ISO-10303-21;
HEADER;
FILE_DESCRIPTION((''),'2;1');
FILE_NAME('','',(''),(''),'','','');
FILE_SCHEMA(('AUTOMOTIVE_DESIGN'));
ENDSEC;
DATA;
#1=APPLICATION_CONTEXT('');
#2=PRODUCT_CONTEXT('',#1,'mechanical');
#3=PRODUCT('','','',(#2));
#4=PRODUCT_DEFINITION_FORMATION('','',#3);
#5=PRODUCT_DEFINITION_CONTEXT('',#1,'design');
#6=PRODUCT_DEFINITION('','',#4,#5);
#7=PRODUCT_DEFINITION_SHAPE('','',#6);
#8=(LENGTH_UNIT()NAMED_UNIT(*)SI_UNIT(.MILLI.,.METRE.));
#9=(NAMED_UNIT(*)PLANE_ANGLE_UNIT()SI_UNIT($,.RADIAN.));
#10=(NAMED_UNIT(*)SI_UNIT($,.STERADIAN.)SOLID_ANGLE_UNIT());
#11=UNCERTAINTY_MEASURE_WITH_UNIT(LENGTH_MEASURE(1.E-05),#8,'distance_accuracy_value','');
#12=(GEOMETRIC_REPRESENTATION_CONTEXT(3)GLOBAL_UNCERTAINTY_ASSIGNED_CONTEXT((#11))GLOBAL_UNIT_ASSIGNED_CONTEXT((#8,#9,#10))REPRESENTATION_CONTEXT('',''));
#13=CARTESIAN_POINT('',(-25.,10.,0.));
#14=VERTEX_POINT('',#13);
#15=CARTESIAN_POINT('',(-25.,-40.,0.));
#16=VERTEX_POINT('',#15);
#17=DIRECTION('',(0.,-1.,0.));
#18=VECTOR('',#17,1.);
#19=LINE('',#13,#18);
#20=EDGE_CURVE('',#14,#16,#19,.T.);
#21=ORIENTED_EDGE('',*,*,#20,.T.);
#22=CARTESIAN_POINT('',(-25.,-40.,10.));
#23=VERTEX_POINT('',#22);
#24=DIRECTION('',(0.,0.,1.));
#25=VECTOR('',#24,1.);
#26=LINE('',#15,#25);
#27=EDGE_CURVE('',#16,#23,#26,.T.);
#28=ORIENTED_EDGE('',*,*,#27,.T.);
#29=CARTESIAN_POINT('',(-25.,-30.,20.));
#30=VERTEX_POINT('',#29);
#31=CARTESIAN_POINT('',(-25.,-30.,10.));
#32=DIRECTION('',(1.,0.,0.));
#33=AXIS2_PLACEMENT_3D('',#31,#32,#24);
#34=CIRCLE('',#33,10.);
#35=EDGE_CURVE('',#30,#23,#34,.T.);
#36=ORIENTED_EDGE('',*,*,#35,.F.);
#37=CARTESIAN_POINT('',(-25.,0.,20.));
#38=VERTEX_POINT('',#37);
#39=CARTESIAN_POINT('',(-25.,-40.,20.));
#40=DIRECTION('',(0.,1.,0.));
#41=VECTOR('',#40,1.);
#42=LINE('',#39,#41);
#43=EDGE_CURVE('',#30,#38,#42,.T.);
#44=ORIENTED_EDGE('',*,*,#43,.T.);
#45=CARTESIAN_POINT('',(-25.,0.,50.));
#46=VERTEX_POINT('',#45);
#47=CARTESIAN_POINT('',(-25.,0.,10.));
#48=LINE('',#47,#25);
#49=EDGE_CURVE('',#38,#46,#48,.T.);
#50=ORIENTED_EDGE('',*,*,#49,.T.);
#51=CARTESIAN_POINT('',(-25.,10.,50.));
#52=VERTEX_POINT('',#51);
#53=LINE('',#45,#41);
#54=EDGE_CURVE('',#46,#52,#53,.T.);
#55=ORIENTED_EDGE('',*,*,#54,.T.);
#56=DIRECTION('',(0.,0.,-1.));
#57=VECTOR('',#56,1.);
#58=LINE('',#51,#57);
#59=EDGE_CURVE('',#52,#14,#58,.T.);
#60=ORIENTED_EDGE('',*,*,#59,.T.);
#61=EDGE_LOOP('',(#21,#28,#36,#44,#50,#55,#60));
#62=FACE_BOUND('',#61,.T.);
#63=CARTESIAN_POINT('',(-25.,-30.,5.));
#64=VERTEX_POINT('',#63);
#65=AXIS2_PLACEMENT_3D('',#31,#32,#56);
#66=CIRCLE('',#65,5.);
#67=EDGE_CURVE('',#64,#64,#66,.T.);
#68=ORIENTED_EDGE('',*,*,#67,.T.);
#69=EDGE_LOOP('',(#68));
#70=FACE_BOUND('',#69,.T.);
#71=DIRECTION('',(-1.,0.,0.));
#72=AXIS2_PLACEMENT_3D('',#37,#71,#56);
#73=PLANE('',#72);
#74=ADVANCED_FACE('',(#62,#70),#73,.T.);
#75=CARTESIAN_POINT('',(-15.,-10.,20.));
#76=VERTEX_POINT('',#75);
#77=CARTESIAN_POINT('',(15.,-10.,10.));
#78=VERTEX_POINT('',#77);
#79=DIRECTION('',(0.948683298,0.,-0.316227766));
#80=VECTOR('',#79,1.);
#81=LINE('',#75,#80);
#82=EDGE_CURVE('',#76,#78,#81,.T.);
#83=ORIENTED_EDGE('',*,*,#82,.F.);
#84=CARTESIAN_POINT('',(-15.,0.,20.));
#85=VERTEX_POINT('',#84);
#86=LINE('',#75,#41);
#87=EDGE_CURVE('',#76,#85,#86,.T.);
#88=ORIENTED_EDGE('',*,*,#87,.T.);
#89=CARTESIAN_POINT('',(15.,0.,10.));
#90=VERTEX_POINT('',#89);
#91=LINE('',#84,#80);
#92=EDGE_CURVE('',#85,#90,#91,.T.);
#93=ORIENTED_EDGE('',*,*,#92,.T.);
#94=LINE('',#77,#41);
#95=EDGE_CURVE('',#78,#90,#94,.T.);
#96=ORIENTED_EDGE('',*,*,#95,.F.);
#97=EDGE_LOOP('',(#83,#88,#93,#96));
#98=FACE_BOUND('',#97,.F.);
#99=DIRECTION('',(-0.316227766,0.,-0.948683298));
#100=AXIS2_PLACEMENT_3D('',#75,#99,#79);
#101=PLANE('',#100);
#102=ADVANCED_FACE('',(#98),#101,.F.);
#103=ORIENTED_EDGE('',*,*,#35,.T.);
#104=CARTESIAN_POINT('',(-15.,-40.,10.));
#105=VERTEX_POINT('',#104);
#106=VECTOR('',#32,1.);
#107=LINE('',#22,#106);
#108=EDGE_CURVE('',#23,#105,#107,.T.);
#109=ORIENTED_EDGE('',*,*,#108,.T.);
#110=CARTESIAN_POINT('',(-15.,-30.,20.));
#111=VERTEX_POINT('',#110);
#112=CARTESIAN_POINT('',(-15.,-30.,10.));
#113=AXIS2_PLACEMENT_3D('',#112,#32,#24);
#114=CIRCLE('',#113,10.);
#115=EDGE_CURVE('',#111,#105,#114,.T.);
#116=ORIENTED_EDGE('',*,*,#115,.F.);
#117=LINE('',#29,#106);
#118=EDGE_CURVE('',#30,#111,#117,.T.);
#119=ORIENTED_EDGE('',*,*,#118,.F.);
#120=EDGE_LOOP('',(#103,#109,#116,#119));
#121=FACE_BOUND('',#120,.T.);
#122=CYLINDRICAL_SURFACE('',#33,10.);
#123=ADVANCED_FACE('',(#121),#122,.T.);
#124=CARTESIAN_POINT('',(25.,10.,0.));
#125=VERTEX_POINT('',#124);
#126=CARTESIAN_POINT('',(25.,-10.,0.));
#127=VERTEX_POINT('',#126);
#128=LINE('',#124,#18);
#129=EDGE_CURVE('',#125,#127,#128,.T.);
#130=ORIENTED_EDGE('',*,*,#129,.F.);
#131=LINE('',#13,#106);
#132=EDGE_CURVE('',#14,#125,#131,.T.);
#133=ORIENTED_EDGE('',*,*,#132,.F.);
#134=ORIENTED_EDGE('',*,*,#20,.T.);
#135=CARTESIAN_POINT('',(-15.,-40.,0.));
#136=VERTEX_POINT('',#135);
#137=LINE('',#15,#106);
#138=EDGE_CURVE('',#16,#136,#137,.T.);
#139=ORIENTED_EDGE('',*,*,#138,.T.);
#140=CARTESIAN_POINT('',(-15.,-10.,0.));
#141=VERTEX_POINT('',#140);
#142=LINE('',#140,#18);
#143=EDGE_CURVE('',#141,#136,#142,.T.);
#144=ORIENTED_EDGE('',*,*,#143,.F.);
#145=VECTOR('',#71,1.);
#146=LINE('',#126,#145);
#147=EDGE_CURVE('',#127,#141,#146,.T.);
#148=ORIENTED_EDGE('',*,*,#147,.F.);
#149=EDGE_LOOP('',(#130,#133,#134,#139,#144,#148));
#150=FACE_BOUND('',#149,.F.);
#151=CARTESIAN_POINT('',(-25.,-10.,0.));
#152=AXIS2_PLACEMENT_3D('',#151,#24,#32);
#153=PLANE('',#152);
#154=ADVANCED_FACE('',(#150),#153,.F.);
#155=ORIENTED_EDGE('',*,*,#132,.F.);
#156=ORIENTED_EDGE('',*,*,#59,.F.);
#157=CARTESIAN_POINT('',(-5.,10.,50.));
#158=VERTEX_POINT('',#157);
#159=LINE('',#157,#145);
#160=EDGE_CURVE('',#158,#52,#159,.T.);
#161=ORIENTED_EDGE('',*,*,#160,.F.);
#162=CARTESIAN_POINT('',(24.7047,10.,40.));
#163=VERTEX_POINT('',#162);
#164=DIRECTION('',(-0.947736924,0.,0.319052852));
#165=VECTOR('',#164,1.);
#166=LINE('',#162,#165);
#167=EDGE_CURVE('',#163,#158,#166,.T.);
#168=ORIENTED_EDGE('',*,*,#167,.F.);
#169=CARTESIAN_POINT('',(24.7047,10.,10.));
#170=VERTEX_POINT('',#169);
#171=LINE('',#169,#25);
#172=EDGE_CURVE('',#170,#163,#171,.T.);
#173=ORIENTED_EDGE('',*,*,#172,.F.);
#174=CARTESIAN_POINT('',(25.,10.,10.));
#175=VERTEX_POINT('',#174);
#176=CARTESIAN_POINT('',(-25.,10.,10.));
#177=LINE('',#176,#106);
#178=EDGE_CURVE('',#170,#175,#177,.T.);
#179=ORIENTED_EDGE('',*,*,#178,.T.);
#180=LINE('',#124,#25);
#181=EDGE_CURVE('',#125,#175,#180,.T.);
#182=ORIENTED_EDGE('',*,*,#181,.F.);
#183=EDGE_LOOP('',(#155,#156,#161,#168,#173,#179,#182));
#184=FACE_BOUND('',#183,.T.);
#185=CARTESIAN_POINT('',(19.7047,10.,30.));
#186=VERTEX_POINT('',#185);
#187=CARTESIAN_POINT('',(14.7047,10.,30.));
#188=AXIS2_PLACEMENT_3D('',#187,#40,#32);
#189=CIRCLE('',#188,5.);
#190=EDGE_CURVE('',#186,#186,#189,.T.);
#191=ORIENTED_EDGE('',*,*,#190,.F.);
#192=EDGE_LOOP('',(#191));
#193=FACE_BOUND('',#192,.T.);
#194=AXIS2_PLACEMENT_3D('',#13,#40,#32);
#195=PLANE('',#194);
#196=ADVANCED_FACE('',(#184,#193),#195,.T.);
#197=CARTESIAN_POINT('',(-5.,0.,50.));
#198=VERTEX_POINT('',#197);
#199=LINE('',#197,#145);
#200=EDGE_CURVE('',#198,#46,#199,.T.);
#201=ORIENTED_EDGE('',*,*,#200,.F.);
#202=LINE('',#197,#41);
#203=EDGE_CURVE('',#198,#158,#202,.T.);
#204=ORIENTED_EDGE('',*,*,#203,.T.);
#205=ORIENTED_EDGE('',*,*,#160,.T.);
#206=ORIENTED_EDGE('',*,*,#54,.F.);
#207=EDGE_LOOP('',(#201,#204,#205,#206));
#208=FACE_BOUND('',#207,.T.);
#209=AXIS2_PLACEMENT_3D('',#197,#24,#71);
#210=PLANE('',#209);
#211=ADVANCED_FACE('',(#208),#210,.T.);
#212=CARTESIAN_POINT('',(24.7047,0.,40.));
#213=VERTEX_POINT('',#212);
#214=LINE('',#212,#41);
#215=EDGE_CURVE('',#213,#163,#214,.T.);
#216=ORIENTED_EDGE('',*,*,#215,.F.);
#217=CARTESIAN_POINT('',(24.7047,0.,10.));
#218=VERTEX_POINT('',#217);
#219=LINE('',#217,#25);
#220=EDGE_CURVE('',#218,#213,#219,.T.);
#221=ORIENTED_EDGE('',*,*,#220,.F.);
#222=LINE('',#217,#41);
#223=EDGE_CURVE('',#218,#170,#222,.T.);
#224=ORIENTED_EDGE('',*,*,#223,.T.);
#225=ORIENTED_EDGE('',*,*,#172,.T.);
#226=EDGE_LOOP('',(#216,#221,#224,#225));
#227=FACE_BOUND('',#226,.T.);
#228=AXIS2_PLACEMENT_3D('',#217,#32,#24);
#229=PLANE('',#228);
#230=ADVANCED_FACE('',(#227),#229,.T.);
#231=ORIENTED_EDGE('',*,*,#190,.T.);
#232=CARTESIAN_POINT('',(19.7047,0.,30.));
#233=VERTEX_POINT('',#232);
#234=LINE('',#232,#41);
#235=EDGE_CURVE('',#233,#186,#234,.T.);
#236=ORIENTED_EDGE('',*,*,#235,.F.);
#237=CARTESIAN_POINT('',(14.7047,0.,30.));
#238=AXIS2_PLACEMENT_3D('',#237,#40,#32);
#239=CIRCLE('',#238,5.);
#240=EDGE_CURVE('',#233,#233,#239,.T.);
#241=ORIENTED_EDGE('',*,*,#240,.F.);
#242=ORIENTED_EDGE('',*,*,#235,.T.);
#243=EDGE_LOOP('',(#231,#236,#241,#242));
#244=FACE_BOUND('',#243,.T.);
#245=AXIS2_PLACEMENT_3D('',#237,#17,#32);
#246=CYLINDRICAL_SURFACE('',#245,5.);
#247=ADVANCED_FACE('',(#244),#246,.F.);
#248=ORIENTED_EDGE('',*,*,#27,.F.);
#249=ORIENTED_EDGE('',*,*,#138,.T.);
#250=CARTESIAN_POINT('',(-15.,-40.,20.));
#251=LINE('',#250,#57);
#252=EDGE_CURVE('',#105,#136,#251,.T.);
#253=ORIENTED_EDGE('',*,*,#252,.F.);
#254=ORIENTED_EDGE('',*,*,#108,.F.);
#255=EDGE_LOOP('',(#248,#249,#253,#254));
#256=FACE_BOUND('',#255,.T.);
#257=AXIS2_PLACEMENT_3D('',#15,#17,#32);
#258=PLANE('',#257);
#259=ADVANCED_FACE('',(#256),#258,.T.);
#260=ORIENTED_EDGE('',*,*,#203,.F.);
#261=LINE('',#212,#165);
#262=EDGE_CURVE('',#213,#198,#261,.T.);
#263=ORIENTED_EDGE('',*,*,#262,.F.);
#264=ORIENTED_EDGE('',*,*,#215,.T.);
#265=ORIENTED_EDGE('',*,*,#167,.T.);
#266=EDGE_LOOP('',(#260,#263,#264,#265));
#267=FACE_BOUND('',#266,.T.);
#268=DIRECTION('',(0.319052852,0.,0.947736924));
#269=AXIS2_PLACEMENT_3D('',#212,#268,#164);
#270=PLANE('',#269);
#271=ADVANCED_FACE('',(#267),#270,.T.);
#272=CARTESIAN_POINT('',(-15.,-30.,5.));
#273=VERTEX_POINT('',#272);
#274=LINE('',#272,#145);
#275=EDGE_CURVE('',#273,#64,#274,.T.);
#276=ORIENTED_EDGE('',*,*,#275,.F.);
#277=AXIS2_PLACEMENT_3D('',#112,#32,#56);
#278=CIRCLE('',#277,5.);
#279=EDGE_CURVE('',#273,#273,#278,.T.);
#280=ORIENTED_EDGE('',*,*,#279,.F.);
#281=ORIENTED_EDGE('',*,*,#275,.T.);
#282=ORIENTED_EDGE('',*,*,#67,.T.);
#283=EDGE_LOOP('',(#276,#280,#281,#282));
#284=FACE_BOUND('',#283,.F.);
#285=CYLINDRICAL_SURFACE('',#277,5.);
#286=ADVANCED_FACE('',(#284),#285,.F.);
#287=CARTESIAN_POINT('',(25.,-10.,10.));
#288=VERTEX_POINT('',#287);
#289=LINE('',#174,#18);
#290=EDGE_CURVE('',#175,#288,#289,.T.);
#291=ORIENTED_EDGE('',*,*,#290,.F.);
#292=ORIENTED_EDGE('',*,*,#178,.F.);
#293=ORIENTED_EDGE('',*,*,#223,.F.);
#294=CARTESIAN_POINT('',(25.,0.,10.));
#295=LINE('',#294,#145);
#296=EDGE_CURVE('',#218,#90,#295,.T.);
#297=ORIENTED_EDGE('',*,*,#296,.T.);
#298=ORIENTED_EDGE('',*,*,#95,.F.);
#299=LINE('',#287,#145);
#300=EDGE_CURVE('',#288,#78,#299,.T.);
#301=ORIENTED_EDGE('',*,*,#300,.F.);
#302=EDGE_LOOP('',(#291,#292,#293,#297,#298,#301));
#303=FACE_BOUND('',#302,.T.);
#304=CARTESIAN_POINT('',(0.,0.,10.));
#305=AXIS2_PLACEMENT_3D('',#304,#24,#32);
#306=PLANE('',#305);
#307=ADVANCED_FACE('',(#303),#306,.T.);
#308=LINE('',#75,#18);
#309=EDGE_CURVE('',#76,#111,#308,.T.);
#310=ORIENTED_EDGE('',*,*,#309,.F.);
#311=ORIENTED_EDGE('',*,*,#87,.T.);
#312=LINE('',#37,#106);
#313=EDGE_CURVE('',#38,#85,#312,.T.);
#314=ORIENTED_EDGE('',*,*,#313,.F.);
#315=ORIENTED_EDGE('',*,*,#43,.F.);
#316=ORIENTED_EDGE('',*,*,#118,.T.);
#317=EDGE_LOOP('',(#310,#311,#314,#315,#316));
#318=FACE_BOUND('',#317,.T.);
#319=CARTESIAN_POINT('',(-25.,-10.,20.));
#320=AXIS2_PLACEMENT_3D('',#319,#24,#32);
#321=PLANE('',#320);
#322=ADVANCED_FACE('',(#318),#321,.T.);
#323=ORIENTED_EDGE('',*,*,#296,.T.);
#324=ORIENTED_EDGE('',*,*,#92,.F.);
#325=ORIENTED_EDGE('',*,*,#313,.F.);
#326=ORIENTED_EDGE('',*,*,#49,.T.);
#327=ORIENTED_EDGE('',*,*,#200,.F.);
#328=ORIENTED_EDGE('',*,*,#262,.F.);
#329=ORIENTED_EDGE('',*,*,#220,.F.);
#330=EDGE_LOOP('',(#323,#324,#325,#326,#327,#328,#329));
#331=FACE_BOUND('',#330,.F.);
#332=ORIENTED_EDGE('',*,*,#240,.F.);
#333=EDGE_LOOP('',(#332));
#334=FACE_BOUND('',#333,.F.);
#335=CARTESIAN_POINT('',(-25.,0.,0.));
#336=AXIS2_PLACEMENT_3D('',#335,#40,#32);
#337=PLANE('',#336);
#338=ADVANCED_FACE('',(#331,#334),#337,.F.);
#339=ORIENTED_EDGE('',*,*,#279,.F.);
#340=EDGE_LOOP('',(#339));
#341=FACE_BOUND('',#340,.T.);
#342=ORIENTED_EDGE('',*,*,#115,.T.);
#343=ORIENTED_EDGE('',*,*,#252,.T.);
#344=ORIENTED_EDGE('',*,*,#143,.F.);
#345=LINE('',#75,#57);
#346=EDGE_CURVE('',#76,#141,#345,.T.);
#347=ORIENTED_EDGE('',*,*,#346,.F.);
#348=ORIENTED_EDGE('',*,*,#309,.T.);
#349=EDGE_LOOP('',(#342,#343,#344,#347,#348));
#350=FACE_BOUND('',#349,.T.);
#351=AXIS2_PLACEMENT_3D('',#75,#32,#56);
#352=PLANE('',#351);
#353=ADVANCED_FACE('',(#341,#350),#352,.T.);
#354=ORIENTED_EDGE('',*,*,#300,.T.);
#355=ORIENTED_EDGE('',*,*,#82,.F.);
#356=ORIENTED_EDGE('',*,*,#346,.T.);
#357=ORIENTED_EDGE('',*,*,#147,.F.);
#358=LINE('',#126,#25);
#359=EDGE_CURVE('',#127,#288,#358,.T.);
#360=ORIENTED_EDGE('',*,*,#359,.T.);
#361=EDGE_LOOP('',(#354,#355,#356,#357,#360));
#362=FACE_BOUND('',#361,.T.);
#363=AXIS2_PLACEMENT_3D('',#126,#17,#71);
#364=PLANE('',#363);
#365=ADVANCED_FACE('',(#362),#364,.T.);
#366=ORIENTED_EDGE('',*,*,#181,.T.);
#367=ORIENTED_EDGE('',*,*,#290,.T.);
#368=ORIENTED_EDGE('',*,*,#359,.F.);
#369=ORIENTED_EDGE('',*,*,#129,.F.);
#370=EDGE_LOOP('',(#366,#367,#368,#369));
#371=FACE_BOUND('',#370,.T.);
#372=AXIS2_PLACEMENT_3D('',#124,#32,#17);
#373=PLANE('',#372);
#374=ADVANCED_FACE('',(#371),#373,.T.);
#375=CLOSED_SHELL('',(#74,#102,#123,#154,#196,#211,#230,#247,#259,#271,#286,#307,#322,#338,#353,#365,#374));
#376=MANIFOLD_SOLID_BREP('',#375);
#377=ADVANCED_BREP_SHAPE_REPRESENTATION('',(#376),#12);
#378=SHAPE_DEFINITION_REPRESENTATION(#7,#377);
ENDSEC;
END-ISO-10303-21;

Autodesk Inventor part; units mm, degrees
ref_plane "YZ Plane" through (0, 0, 0) normal (1, 0, 0) x (0, 1, 0)
ref_plane "XZ Plane" through (0, 0, 0) normal (0, 1, 0) x (-1, 0, 0)
ref_plane "XY Plane" through (0, 0, 0) normal (0, 0, 1) x (1, 0, 0)
sketch "草圖1" plane through (0, 0, 0) normal (0, 0, 1) x (1, 0, 0)
  line L0 (25, -10) -> (-25, -10)
  line L1 (-25, -10) -> (-25, 10)
  line L2 (-25, 10) -> (25, 10)
  line L3 (25, 10) -> (25, -10)
  line L4 (25, -10) -> (-25, 10) construction
  line L5 (-25, -10) -> (25, 10) construction
  point P0 (0, 0)
  dimension "d0" = 50
  dimension "d1" = 20
extrude "擠出1" add sketch "草圖1" along normal blind 10
sketch "草圖2" plane through (-25, -10, 0) normal (0, -1, 0) x (1, 0, 0)
  line L0 (0, 10) -> (0, 20)
  line L1 (0, 20) -> (10, 20)
  line L2 (50, 0) -> (50, 10) projected
  line L3 (0, 10) -> (50, 10) projected
  line L4 (10, 20) -> (40, 10)
  point P0 (25, 0)
  dimension "d4" = 10
  dimension "d5" = 10
  dimension "d6" = 40
extrude "擠出2" add sketch "草圖2" against normal blind 10
sketch "草圖3" plane through (-25, -10, 0) normal (0, -1, 0) x (1, 0, 0)
  line L0 (0, 0) -> (0, 20) projected
  line L1 (0, 0) -> (50, 0) projected
  line L2 (0, 20) -> (10, 20)
  line L3 (10, 20) -> (10, 0)
  line L4 (10, 0) -> (0, 0)
  line L5 (0, 0) -> (0, 20)
  point P0 (25, 0)
  dimension "d9" = 10
extrude "擠出3" add sketch "草圖3" along normal blind 30
fillet "圓角1" radius 10 1 edges at (-20, -40, 20)
sketch "草圖4" plane through (-15, -10, 20) normal (1, 0, 0) x (0, 0, -1)
  circle A0 centre (10, -20) radius 5
  line L0 (20, 0) -> (20, -30) projected
  line L1 (20, -30) -> (10, -30) projected
  point P0 (20, 10)
  dimension "d13" = 10
  dimension "d14" = 10
  dimension "d15" = 10
extrude "擠出4" cut sketch "草圖4" against normal blind 30
sketch "草圖5" plane through (-25, 0, 0) normal (0, 1, 0) x (1, 0, 0)
  line L0 (0, -20) -> (0, -10) projected
  line L1 (0, -10) -> (0, -50)
  line L2 (49.7047, -10) -> (49.7047, -40)
  line L3 (49.7047, -40) -> (20, -50)
  line L4 (20, -50) -> (0, -50)
  line L5 (50, -10) -> (0, -10) projected
  circle A0 centre (39.7047, -30) radius 5
  point P0 (25, 0)
  dimension "d18" = 40
  dimension "d19" = 30
  dimension "d20" = 20
  dimension "d21" = 10
  dimension "d22" = 20
  dimension "d23" = 10
extrude "擠出5" add sketch "草圖5" along normal blind 10
properties part number "件30"
